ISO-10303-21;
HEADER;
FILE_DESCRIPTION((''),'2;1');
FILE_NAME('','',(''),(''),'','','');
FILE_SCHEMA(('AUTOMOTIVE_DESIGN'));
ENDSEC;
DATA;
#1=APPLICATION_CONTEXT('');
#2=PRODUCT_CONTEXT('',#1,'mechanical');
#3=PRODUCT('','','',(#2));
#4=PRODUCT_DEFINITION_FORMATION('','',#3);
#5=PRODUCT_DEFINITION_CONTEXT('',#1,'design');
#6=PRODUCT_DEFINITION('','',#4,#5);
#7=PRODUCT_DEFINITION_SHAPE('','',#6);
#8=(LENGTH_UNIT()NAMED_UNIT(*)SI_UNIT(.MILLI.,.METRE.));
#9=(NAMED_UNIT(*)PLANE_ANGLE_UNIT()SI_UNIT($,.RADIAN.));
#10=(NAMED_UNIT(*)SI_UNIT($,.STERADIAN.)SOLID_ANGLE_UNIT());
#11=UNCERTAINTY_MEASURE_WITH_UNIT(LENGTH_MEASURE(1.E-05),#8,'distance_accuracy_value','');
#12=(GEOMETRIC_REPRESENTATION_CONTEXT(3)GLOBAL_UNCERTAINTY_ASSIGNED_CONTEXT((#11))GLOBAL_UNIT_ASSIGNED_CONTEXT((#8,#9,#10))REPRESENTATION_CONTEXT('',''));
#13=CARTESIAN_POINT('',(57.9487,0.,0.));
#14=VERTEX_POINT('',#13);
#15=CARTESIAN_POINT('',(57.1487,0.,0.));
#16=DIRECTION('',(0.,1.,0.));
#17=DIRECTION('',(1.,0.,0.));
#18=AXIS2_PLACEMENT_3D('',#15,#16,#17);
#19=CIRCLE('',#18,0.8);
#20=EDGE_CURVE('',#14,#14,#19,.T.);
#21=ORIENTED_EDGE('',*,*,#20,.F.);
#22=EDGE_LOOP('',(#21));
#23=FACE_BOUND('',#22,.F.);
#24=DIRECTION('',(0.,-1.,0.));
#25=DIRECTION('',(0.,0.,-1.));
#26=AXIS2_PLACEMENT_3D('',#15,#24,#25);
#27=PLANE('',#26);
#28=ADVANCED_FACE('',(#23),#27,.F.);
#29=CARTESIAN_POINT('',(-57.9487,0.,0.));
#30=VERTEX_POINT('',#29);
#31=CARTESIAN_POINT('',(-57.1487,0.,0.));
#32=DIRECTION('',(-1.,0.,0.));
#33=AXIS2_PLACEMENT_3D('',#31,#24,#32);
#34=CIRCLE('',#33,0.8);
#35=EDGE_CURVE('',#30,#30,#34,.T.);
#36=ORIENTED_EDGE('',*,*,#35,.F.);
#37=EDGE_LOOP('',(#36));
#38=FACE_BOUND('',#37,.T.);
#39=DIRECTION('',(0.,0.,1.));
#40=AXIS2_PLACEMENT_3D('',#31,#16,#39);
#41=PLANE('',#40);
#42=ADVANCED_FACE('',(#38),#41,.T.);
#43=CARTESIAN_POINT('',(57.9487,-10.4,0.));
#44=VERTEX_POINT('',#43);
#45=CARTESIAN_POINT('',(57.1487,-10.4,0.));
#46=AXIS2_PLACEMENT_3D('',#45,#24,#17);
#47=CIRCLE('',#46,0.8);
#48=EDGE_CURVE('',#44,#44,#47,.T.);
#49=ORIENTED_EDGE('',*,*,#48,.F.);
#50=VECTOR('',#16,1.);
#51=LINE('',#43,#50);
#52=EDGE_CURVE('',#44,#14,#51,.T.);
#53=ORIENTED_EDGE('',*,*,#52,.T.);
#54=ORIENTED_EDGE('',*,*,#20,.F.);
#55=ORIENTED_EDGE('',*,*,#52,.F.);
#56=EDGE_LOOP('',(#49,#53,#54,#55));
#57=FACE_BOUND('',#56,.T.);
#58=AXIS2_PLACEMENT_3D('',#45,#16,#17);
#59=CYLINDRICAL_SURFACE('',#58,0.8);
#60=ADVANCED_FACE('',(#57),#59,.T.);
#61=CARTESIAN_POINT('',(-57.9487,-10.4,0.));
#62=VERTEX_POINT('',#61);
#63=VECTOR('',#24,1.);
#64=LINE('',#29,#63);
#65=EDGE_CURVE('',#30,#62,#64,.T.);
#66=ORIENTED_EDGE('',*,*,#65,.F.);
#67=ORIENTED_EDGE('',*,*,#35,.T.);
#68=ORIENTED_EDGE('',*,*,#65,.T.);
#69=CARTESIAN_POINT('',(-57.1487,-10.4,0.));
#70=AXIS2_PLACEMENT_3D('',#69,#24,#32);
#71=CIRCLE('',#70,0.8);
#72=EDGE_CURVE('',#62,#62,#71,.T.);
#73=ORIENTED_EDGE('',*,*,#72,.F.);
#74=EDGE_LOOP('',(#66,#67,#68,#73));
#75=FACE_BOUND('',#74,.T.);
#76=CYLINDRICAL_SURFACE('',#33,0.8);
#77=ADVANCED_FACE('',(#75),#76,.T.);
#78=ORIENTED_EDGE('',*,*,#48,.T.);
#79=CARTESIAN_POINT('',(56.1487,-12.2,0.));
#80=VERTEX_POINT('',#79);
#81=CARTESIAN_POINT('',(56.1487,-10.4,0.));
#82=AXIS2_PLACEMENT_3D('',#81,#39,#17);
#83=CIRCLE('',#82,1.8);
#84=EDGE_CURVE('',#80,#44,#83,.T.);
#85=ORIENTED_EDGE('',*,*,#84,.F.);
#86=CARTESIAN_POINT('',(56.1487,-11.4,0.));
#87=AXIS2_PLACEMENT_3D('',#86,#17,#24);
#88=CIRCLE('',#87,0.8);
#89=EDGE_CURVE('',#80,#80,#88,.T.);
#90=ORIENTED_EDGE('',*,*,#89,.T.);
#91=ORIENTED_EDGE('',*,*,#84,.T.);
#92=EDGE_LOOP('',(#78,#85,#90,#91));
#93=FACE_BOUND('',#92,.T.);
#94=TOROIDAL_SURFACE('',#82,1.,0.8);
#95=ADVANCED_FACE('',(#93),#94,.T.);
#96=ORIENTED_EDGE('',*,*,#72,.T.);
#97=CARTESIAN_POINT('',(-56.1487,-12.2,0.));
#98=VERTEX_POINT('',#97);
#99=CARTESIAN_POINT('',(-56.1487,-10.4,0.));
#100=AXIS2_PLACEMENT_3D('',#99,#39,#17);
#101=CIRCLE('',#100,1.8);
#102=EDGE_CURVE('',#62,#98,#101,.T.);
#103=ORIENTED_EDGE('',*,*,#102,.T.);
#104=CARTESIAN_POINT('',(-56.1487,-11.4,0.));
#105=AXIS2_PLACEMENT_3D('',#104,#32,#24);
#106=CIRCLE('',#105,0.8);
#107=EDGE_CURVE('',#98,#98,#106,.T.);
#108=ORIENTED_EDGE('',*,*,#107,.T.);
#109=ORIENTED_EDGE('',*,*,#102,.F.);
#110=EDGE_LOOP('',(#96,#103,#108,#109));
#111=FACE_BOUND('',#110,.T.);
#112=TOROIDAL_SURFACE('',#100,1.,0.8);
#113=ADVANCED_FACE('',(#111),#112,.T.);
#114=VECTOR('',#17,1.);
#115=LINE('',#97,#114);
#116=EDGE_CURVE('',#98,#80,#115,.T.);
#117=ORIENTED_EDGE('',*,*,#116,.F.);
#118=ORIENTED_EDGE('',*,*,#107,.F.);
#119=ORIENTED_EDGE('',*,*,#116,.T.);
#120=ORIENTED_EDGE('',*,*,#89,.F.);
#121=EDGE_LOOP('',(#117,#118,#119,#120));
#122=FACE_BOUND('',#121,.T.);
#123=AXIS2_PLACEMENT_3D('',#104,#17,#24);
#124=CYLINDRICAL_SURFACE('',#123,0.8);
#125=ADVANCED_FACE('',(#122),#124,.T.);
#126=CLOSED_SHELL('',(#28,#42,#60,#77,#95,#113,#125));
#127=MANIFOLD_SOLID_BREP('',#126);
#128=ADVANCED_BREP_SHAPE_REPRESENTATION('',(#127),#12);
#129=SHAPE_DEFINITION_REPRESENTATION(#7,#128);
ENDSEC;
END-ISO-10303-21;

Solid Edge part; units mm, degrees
sketch "Sketch1" plane through (0, 0, 0) normal (0, 0, 1) x (1, 0, 0)
  line L0 (57.1488, -10.4) -> (57.1487, 0)
  arc A0 (56.1487, -11.4) -> (57.1487, -10.4) centre (56.1487, -10.4) ccw
  line L1 (-56.1487, -11.4) -> (56.1487, -11.4)
  arc A1 (-57.1487, -10.4) -> (-56.1487, -11.4) centre (-56.1487, -10.4) ccw
  line L2 (-57.1487, 0) -> (-57.1487, -10.4)
  dimension "D1" = 114.2975
  dimension "D2" = 11.4
  dimension "D3" = 11.4
  dimension "D4" = 57.1487
  dimension "D5" = 1
  dimension "D6" = 1
sketch "Sketch2" plane through (0, 0, 0) normal (0, -1, 0) x (1, 0, 0)
  circle A0 centre (57.1487, 0) radius 0.8
  dimension "D1" = 1.6
sweep "Geführte_Ausprägung_1" add profiles "Sketch2" path "Sketch1"
